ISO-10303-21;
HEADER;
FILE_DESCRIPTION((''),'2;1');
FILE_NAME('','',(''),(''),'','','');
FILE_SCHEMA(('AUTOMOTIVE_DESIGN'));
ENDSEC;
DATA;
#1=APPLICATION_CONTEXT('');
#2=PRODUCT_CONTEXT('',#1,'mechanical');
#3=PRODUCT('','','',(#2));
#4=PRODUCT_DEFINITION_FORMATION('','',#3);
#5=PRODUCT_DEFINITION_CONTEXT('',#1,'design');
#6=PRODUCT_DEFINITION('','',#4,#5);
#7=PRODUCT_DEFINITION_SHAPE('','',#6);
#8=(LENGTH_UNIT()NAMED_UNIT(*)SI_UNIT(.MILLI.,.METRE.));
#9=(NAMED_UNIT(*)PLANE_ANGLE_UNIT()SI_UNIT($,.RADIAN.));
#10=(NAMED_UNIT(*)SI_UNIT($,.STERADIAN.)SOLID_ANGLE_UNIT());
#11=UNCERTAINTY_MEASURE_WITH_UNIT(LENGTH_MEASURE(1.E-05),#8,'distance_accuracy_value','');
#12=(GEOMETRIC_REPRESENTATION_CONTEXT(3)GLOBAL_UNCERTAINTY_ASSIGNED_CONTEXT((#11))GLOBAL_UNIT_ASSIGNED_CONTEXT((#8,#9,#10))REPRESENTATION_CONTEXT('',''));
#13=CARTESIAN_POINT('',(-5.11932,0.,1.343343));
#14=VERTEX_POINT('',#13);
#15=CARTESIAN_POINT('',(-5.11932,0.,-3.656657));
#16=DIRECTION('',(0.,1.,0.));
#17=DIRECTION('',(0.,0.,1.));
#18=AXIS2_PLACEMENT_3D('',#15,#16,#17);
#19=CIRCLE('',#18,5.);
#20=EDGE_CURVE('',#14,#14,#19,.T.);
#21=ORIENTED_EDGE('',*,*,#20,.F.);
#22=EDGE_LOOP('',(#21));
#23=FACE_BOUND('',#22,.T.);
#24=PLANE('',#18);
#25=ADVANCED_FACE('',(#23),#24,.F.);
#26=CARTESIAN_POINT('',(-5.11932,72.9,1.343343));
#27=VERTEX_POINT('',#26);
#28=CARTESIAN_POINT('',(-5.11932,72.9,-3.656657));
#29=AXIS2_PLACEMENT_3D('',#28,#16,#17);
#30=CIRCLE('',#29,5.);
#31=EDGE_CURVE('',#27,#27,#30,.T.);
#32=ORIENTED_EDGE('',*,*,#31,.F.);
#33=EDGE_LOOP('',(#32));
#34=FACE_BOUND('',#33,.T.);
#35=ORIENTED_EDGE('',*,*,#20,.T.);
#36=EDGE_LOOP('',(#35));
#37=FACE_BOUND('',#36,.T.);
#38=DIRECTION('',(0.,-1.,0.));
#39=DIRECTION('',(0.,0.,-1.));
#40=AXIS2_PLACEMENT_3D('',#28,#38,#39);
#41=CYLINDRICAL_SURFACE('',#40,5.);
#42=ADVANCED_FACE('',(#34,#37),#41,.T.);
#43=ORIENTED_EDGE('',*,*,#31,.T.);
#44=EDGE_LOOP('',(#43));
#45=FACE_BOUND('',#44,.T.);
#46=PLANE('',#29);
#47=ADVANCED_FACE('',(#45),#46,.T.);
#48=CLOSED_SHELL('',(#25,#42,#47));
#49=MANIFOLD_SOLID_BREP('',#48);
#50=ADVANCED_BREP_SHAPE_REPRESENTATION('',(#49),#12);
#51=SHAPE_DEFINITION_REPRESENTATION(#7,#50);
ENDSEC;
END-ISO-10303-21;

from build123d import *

# Parameters (mm, degrees)
SKETCH1_R           = 5
BOSS_EXTRUDE1_DEPTH = 72.9


with BuildPart() as part:
    # Sketch1 → Boss-Extrude1 (new body)
    with BuildSketch(Plane(origin=(0, 0, 0), x_dir=(1, 0, 0), z_dir=(0, 1, 0))):
        with Locations((-5.119320136, 3.65665724)):
            Circle(SKETCH1_R)
    extrude(amount=BOSS_EXTRUDE1_DEPTH)


solid = part.part
